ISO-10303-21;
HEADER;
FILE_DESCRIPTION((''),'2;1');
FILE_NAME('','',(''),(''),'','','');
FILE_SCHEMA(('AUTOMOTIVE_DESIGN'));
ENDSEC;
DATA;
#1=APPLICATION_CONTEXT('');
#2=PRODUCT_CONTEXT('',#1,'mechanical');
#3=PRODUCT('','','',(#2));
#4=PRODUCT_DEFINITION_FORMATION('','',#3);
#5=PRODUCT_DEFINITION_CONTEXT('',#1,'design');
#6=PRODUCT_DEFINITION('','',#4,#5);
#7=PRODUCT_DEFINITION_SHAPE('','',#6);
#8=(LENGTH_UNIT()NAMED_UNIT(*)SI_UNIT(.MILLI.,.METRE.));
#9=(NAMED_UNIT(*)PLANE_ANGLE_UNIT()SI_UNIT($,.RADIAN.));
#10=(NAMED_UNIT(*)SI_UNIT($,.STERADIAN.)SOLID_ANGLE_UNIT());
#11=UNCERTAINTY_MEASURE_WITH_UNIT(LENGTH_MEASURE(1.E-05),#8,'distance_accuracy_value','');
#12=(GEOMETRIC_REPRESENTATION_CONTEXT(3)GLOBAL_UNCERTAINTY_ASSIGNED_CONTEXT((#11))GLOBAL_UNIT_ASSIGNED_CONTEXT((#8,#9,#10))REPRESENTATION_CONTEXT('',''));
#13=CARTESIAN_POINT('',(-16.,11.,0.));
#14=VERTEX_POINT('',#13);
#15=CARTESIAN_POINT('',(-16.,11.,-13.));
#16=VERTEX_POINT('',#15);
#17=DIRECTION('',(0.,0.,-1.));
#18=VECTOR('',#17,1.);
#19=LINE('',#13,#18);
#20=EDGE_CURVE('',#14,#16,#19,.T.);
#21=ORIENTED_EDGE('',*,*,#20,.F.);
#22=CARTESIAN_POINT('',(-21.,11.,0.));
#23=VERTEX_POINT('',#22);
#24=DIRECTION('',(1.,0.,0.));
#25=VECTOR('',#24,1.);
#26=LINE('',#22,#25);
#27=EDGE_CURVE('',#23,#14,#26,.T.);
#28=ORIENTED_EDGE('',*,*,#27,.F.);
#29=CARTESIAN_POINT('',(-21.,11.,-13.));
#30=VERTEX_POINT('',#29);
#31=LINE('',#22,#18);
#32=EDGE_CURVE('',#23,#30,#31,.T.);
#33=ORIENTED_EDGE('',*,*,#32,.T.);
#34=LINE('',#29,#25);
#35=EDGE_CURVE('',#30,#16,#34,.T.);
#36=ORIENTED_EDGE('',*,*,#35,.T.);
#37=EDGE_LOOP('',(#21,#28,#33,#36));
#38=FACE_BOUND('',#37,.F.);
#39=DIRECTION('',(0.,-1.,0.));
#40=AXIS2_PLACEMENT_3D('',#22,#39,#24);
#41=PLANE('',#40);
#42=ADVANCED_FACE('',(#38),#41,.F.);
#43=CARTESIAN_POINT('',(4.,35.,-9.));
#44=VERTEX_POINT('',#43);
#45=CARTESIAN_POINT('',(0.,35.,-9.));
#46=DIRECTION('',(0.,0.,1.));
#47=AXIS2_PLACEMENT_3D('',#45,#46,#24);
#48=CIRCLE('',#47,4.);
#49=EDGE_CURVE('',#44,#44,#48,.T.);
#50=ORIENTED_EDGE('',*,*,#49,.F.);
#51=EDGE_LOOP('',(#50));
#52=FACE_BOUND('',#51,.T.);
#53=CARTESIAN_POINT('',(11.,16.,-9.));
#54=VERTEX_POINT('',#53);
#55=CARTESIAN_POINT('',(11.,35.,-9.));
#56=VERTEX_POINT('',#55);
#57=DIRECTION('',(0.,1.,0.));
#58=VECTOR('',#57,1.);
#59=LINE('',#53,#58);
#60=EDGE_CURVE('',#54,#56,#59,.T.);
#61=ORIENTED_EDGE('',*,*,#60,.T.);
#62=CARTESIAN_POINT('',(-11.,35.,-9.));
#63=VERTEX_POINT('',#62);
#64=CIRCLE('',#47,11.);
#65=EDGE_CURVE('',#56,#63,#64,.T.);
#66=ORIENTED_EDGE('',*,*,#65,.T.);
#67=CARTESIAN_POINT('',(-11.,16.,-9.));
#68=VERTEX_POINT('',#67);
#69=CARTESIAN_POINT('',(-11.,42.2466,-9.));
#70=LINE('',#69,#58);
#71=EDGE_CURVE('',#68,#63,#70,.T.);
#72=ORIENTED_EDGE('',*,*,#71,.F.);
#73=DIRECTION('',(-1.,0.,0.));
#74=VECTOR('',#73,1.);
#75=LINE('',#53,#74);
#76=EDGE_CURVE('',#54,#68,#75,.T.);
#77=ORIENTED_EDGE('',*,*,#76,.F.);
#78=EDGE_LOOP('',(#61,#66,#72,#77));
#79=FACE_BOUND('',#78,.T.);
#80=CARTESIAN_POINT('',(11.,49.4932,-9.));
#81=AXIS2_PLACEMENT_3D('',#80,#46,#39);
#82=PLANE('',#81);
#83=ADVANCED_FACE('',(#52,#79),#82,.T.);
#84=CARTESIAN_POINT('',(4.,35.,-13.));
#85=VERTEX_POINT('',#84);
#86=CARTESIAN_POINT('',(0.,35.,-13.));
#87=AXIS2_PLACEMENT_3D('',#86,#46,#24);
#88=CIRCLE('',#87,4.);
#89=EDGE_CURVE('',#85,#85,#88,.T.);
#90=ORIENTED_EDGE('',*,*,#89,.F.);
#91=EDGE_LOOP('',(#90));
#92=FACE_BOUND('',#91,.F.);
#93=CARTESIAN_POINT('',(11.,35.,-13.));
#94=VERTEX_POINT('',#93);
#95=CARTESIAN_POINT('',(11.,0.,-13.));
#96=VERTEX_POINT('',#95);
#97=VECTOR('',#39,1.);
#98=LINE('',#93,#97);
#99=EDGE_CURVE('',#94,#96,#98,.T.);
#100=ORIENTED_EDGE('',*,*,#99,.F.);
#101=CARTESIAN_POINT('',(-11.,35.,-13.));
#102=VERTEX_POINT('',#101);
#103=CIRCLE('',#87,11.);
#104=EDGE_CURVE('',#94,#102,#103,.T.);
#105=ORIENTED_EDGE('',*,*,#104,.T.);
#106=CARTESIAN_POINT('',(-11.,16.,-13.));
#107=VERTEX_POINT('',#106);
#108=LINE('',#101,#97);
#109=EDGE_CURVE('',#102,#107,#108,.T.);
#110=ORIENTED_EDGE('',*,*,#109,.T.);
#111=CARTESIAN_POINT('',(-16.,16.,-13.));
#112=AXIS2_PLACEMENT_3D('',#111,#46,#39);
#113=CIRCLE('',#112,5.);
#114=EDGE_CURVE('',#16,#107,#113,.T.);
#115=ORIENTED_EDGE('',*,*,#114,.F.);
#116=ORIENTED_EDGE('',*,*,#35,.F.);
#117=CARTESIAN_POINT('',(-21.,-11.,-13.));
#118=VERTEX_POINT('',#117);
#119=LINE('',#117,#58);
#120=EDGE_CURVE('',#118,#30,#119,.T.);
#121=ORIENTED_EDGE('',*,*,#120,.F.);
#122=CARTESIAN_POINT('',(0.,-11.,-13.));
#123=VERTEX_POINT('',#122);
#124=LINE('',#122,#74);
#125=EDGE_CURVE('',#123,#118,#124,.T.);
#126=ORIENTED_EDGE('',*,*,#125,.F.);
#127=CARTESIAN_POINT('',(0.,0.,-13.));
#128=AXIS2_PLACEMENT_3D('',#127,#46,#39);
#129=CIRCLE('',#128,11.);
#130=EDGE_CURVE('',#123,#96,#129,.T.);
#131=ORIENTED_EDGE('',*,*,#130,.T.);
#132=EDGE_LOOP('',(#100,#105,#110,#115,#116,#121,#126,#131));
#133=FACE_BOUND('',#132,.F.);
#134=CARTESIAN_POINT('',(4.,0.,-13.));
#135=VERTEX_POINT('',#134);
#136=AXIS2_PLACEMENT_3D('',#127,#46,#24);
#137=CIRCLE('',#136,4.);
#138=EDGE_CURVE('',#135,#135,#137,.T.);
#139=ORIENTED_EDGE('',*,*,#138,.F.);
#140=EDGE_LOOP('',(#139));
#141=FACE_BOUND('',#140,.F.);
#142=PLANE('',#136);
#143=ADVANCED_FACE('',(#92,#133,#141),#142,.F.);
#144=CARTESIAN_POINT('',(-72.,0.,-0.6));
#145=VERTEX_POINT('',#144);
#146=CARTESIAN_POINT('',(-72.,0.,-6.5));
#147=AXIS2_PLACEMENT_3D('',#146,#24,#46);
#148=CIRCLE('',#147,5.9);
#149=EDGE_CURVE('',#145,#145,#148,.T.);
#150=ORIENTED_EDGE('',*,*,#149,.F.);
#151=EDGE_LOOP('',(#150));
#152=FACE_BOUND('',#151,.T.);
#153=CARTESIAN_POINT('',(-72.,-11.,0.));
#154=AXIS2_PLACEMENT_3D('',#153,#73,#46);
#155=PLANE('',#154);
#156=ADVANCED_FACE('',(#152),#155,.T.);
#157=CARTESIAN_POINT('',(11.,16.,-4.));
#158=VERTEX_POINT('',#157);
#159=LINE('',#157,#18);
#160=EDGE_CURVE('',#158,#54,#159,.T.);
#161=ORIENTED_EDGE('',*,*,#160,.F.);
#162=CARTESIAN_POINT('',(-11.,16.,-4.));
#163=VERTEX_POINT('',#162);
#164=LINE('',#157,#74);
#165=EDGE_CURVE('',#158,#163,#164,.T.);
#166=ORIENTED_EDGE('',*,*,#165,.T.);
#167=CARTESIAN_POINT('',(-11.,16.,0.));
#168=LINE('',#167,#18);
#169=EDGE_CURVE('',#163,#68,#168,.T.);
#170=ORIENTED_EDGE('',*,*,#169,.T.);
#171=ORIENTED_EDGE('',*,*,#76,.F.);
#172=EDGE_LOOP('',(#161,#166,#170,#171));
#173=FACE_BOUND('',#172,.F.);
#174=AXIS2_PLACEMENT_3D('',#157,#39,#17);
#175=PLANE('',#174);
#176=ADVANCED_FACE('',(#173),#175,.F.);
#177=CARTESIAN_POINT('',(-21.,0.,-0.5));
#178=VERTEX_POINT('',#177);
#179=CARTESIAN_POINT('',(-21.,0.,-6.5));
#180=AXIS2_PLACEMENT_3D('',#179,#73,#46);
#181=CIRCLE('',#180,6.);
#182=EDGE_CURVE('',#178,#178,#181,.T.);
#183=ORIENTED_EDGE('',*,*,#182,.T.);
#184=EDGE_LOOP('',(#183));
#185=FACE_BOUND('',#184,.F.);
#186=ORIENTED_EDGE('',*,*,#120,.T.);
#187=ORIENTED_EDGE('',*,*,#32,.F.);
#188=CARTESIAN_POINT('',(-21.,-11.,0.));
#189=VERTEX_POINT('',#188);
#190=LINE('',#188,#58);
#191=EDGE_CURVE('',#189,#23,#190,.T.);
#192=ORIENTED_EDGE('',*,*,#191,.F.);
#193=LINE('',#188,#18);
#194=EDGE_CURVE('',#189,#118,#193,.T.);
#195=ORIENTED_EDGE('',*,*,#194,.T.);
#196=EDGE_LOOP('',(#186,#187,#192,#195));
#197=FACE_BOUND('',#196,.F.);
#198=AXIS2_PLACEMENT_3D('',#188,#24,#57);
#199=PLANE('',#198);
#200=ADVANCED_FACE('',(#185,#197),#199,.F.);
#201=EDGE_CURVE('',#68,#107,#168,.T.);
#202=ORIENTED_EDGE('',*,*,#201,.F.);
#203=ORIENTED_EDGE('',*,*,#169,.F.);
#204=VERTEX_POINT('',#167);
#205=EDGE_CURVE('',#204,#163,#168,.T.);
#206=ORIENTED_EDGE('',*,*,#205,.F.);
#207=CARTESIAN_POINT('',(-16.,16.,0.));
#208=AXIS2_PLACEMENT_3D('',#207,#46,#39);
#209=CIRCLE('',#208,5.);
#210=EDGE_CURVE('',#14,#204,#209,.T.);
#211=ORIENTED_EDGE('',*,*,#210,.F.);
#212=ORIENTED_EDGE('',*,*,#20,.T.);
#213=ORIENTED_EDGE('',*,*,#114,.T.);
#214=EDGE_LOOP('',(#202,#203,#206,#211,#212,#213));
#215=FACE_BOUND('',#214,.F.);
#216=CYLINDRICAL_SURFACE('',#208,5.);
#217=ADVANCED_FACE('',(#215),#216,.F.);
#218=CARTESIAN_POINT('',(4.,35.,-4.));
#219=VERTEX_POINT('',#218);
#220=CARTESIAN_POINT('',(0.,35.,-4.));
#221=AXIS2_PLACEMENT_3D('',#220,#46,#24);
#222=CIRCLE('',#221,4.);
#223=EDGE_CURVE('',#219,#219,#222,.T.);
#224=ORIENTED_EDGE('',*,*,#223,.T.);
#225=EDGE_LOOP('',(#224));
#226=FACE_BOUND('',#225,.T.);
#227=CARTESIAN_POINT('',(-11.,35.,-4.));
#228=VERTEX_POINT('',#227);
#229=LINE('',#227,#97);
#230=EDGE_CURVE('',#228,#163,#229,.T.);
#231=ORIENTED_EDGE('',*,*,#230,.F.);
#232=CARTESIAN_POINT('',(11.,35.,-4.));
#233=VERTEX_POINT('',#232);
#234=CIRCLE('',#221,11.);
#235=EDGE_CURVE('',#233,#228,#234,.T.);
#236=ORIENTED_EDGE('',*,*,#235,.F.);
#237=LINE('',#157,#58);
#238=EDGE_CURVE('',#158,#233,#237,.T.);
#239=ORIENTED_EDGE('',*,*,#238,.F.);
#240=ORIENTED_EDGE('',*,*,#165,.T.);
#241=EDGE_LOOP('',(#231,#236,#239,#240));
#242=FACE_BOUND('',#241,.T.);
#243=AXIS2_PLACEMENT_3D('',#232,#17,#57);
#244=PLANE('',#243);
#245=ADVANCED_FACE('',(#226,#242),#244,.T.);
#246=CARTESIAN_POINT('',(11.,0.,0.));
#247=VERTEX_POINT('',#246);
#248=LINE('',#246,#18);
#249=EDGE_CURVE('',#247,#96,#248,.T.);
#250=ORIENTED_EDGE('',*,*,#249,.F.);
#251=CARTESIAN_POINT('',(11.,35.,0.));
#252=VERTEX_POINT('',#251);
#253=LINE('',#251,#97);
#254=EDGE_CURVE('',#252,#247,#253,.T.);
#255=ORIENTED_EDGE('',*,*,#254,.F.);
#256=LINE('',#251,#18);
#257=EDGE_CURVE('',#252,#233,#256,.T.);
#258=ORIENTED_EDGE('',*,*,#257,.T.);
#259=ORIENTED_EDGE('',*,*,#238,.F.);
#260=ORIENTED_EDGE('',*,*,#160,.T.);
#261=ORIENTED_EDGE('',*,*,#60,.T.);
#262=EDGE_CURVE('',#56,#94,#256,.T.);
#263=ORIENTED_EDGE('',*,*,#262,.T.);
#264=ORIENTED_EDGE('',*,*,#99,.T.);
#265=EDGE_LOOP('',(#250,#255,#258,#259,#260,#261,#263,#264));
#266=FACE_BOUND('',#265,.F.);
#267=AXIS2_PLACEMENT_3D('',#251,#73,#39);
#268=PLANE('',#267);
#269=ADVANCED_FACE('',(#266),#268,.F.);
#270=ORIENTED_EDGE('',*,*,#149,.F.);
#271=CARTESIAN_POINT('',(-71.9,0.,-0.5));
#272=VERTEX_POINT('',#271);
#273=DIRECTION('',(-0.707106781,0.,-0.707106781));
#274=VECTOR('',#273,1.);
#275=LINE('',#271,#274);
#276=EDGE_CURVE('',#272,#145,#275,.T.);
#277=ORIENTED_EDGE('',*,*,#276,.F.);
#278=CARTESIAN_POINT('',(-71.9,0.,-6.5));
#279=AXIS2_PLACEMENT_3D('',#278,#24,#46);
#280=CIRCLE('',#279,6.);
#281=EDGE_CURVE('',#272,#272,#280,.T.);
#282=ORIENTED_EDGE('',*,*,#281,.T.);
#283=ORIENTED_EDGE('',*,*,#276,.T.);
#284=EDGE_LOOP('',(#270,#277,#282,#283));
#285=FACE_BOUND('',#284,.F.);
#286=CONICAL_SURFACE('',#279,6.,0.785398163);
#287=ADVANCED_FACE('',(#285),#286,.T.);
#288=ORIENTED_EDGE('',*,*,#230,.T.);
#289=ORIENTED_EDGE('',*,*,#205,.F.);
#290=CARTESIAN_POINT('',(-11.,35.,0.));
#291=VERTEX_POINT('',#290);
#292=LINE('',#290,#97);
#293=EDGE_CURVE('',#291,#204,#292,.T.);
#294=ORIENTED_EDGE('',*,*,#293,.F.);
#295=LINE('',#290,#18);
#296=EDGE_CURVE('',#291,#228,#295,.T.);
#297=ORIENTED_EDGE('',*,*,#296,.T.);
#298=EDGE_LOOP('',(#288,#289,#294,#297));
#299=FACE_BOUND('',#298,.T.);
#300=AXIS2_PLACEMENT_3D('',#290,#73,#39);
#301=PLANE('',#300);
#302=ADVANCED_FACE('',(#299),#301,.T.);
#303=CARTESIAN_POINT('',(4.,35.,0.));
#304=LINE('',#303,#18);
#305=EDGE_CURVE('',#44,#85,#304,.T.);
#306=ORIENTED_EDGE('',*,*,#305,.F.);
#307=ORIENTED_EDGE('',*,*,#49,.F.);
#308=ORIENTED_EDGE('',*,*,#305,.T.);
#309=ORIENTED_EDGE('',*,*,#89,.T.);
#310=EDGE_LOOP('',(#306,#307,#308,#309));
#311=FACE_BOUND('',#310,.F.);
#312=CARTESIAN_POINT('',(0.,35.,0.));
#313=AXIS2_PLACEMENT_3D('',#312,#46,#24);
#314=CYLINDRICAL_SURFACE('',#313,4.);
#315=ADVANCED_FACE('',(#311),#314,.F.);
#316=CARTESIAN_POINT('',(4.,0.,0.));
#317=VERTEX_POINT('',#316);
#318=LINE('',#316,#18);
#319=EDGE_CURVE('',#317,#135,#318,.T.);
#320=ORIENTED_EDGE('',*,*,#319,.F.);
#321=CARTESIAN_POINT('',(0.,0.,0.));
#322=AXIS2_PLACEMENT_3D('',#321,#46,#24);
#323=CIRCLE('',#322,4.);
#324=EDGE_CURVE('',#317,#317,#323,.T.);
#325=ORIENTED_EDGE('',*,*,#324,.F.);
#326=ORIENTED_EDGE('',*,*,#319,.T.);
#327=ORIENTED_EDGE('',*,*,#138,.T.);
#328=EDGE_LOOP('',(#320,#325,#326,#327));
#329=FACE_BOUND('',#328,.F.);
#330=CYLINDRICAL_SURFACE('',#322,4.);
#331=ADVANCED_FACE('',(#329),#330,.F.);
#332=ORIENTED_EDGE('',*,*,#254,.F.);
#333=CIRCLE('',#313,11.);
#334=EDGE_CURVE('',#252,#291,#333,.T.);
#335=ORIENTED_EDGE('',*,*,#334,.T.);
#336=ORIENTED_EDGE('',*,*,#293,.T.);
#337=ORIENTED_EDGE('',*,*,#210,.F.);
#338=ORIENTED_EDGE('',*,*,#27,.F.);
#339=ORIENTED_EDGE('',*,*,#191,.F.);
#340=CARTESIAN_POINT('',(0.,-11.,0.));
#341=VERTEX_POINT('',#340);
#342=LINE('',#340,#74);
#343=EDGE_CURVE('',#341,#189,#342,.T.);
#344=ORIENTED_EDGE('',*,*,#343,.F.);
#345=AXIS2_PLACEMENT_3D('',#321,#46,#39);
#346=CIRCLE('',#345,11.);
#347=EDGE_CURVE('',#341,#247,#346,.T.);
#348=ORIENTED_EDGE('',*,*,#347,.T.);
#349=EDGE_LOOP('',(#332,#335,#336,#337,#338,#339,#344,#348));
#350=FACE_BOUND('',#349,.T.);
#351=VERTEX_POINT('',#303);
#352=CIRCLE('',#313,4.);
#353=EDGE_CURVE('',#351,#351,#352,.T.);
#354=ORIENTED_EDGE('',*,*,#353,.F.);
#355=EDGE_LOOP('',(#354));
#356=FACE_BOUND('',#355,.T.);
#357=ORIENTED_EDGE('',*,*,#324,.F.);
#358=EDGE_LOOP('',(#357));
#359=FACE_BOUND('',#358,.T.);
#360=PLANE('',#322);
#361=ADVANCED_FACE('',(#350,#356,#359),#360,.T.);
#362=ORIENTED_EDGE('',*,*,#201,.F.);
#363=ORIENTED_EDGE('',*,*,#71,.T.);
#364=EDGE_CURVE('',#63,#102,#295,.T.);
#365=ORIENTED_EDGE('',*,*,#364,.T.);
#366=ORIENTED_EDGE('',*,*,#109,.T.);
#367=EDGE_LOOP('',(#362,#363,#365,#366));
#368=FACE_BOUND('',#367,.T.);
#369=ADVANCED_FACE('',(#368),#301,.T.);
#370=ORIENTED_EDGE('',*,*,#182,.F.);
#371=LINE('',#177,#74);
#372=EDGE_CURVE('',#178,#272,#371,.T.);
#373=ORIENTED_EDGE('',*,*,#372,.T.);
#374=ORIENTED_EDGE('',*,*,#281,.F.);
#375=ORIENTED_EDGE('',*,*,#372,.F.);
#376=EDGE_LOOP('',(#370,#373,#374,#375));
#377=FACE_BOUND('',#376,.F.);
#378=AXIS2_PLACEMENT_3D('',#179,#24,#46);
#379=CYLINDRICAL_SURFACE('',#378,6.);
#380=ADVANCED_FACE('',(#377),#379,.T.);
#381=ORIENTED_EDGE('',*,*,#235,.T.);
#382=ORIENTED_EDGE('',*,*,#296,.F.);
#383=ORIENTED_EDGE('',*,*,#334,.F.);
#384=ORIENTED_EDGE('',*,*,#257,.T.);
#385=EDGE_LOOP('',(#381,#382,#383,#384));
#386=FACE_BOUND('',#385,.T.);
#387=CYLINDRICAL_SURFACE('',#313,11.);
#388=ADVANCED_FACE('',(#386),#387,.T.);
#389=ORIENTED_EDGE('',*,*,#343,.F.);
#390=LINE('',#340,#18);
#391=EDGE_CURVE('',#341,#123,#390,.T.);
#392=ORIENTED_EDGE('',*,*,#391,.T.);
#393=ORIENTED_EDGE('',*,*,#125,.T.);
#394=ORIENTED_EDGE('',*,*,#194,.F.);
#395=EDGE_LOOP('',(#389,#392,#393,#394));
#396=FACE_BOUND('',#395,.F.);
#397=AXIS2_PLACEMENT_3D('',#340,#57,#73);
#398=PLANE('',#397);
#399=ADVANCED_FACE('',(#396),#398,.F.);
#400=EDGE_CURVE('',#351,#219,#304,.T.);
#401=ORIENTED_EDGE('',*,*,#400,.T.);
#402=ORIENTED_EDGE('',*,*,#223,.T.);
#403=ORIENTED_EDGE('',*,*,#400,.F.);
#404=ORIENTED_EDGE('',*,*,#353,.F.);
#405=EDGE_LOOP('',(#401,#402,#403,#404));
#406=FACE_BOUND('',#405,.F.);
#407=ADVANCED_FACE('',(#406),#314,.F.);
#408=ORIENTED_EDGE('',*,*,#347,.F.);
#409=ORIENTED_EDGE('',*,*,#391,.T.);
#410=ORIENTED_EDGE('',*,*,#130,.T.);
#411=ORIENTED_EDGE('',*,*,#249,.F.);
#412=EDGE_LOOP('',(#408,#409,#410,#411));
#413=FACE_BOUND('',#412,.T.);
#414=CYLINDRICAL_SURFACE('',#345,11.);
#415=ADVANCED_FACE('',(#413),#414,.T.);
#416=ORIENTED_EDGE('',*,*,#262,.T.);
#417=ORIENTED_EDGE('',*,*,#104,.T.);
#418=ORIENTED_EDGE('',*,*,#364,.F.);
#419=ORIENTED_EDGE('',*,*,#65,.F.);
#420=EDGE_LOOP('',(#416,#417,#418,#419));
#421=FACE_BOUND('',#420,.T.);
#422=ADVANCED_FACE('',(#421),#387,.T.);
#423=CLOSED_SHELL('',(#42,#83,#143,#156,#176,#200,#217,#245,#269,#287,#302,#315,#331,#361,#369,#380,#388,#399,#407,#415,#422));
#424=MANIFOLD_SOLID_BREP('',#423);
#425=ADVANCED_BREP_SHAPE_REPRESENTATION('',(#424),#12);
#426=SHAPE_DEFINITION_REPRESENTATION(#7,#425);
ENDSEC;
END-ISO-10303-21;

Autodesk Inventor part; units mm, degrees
ref_plane "YZ Plane" through (0, 0, 0) normal (1, 0, 0) x (0, 1, 0)
ref_plane "XZ Plane" through (0, 0, 0) normal (0, 1, 0) x (-1, 0, 0)
ref_plane "XY Plane" through (0, 0, 0) normal (0, 0, 1) x (1, 0, 0)
sketch "Boceto1" plane through (0, 0, 0) normal (0, 0, 1) x (1, 0, 0)
  circle A0 centre (0, 0) radius 4
  arc A1 (0, -11) -> (11, 0) centre (0, 0) ccw
  line L0 (0, -11) -> (-21, -11)
  line L1 (0, -11) -> (0, 35) construction
  circle A2 centre (0, 35) radius 4
  arc A3 (11, 35) -> (-11, 35) centre (0, 35) ccw
  line L2 (11, 35) -> (11, 0)
  line L3 (-21, -11) -> (-21, 11)
  line L4 (-21, 11) -> (-16, 11)
  line L5 (0, 35) -> (-11, 35) construction
  line L6 (-11, 35) -> (-11, 16)
  arc A4 (-16, 11) -> (-11, 16) centre (-16, 16) ccw
  dimension "d0" = 8
  dimension "d1" = 22
  dimension "d2" = 21
  dimension "d3" = 46
  dimension "d4" = 8
  dimension "d5" = 22
  dimension "d6" = 22
  dimension "d7" = 5
extrude "Extrusión1" add sketch "Boceto1" against normal blind 13
sketch "Boceto2" plane through (11, 0, 0) normal (1, 0, 0) x (0, 0, -1)
  line L0 (0, 0) -> (4, 0) construction
  line L1 (0, 0) -> (13, 0) construction
  line L2 (0, 35) -> (13, 35) projected
  line L3 (13, 31) -> (0, 31) projected
  line L4 (4, 0) -> (9, 0) construction
  line L5 (13, -11) -> (13, 0) projected
  line L6 (9, 0) -> (13, 0) construction
  line L7 (0, 16) -> (13, 16) construction
  line L8 (4, 16) -> (4, 49.4932)
  line L9 (4, 49.4932) -> (9, 49.4932)
  line L10 (9, 49.4932) -> (9, 16)
  line L11 (4, 16) -> (9, 16)
  line L12 (13, 35) -> (13, 46) projected
  dimension "d10" = 4
  dimension "d11" = 5
  dimension "d12" = 33.4932
  dimension "d13" = 5
  dimension "d14" = 4
extrude "Extrusión2" cut sketch "Boceto2" against normal through all
sketch "Boceto3" plane through (-21, -11, 0) normal (-1, 0, 0) x (0, 0, 1)
  line L0 (-13, 0) -> (-13, 22) projected
  circle A0 centre (-6.5, 11) radius 6
  line L1 (0, 22) -> (-13, 22) projected
  line L2 (-6.5, 22) -> (-6.5, 0) construction
  line L3 (0, 0) -> (-13, 0) projected
  line L4 (0, 11) -> (-13, 11) construction
  line L5 (-13, 11) -> (0, 11)
  dimension "d26" = 12
extrude "Extrusión3" add sketch "Boceto3" along normal blind 51
thread "Rosca1" size "M12x1.75" class "6g" standard "ANSI Metric M Profile" full length
chamfer "Chaflán1" distance 0.1 angle 45 1 edges at (-72, 0, -12.5) measured on face at (-72, -0.4786, -4.5581)
properties part number "19_UnionB"
